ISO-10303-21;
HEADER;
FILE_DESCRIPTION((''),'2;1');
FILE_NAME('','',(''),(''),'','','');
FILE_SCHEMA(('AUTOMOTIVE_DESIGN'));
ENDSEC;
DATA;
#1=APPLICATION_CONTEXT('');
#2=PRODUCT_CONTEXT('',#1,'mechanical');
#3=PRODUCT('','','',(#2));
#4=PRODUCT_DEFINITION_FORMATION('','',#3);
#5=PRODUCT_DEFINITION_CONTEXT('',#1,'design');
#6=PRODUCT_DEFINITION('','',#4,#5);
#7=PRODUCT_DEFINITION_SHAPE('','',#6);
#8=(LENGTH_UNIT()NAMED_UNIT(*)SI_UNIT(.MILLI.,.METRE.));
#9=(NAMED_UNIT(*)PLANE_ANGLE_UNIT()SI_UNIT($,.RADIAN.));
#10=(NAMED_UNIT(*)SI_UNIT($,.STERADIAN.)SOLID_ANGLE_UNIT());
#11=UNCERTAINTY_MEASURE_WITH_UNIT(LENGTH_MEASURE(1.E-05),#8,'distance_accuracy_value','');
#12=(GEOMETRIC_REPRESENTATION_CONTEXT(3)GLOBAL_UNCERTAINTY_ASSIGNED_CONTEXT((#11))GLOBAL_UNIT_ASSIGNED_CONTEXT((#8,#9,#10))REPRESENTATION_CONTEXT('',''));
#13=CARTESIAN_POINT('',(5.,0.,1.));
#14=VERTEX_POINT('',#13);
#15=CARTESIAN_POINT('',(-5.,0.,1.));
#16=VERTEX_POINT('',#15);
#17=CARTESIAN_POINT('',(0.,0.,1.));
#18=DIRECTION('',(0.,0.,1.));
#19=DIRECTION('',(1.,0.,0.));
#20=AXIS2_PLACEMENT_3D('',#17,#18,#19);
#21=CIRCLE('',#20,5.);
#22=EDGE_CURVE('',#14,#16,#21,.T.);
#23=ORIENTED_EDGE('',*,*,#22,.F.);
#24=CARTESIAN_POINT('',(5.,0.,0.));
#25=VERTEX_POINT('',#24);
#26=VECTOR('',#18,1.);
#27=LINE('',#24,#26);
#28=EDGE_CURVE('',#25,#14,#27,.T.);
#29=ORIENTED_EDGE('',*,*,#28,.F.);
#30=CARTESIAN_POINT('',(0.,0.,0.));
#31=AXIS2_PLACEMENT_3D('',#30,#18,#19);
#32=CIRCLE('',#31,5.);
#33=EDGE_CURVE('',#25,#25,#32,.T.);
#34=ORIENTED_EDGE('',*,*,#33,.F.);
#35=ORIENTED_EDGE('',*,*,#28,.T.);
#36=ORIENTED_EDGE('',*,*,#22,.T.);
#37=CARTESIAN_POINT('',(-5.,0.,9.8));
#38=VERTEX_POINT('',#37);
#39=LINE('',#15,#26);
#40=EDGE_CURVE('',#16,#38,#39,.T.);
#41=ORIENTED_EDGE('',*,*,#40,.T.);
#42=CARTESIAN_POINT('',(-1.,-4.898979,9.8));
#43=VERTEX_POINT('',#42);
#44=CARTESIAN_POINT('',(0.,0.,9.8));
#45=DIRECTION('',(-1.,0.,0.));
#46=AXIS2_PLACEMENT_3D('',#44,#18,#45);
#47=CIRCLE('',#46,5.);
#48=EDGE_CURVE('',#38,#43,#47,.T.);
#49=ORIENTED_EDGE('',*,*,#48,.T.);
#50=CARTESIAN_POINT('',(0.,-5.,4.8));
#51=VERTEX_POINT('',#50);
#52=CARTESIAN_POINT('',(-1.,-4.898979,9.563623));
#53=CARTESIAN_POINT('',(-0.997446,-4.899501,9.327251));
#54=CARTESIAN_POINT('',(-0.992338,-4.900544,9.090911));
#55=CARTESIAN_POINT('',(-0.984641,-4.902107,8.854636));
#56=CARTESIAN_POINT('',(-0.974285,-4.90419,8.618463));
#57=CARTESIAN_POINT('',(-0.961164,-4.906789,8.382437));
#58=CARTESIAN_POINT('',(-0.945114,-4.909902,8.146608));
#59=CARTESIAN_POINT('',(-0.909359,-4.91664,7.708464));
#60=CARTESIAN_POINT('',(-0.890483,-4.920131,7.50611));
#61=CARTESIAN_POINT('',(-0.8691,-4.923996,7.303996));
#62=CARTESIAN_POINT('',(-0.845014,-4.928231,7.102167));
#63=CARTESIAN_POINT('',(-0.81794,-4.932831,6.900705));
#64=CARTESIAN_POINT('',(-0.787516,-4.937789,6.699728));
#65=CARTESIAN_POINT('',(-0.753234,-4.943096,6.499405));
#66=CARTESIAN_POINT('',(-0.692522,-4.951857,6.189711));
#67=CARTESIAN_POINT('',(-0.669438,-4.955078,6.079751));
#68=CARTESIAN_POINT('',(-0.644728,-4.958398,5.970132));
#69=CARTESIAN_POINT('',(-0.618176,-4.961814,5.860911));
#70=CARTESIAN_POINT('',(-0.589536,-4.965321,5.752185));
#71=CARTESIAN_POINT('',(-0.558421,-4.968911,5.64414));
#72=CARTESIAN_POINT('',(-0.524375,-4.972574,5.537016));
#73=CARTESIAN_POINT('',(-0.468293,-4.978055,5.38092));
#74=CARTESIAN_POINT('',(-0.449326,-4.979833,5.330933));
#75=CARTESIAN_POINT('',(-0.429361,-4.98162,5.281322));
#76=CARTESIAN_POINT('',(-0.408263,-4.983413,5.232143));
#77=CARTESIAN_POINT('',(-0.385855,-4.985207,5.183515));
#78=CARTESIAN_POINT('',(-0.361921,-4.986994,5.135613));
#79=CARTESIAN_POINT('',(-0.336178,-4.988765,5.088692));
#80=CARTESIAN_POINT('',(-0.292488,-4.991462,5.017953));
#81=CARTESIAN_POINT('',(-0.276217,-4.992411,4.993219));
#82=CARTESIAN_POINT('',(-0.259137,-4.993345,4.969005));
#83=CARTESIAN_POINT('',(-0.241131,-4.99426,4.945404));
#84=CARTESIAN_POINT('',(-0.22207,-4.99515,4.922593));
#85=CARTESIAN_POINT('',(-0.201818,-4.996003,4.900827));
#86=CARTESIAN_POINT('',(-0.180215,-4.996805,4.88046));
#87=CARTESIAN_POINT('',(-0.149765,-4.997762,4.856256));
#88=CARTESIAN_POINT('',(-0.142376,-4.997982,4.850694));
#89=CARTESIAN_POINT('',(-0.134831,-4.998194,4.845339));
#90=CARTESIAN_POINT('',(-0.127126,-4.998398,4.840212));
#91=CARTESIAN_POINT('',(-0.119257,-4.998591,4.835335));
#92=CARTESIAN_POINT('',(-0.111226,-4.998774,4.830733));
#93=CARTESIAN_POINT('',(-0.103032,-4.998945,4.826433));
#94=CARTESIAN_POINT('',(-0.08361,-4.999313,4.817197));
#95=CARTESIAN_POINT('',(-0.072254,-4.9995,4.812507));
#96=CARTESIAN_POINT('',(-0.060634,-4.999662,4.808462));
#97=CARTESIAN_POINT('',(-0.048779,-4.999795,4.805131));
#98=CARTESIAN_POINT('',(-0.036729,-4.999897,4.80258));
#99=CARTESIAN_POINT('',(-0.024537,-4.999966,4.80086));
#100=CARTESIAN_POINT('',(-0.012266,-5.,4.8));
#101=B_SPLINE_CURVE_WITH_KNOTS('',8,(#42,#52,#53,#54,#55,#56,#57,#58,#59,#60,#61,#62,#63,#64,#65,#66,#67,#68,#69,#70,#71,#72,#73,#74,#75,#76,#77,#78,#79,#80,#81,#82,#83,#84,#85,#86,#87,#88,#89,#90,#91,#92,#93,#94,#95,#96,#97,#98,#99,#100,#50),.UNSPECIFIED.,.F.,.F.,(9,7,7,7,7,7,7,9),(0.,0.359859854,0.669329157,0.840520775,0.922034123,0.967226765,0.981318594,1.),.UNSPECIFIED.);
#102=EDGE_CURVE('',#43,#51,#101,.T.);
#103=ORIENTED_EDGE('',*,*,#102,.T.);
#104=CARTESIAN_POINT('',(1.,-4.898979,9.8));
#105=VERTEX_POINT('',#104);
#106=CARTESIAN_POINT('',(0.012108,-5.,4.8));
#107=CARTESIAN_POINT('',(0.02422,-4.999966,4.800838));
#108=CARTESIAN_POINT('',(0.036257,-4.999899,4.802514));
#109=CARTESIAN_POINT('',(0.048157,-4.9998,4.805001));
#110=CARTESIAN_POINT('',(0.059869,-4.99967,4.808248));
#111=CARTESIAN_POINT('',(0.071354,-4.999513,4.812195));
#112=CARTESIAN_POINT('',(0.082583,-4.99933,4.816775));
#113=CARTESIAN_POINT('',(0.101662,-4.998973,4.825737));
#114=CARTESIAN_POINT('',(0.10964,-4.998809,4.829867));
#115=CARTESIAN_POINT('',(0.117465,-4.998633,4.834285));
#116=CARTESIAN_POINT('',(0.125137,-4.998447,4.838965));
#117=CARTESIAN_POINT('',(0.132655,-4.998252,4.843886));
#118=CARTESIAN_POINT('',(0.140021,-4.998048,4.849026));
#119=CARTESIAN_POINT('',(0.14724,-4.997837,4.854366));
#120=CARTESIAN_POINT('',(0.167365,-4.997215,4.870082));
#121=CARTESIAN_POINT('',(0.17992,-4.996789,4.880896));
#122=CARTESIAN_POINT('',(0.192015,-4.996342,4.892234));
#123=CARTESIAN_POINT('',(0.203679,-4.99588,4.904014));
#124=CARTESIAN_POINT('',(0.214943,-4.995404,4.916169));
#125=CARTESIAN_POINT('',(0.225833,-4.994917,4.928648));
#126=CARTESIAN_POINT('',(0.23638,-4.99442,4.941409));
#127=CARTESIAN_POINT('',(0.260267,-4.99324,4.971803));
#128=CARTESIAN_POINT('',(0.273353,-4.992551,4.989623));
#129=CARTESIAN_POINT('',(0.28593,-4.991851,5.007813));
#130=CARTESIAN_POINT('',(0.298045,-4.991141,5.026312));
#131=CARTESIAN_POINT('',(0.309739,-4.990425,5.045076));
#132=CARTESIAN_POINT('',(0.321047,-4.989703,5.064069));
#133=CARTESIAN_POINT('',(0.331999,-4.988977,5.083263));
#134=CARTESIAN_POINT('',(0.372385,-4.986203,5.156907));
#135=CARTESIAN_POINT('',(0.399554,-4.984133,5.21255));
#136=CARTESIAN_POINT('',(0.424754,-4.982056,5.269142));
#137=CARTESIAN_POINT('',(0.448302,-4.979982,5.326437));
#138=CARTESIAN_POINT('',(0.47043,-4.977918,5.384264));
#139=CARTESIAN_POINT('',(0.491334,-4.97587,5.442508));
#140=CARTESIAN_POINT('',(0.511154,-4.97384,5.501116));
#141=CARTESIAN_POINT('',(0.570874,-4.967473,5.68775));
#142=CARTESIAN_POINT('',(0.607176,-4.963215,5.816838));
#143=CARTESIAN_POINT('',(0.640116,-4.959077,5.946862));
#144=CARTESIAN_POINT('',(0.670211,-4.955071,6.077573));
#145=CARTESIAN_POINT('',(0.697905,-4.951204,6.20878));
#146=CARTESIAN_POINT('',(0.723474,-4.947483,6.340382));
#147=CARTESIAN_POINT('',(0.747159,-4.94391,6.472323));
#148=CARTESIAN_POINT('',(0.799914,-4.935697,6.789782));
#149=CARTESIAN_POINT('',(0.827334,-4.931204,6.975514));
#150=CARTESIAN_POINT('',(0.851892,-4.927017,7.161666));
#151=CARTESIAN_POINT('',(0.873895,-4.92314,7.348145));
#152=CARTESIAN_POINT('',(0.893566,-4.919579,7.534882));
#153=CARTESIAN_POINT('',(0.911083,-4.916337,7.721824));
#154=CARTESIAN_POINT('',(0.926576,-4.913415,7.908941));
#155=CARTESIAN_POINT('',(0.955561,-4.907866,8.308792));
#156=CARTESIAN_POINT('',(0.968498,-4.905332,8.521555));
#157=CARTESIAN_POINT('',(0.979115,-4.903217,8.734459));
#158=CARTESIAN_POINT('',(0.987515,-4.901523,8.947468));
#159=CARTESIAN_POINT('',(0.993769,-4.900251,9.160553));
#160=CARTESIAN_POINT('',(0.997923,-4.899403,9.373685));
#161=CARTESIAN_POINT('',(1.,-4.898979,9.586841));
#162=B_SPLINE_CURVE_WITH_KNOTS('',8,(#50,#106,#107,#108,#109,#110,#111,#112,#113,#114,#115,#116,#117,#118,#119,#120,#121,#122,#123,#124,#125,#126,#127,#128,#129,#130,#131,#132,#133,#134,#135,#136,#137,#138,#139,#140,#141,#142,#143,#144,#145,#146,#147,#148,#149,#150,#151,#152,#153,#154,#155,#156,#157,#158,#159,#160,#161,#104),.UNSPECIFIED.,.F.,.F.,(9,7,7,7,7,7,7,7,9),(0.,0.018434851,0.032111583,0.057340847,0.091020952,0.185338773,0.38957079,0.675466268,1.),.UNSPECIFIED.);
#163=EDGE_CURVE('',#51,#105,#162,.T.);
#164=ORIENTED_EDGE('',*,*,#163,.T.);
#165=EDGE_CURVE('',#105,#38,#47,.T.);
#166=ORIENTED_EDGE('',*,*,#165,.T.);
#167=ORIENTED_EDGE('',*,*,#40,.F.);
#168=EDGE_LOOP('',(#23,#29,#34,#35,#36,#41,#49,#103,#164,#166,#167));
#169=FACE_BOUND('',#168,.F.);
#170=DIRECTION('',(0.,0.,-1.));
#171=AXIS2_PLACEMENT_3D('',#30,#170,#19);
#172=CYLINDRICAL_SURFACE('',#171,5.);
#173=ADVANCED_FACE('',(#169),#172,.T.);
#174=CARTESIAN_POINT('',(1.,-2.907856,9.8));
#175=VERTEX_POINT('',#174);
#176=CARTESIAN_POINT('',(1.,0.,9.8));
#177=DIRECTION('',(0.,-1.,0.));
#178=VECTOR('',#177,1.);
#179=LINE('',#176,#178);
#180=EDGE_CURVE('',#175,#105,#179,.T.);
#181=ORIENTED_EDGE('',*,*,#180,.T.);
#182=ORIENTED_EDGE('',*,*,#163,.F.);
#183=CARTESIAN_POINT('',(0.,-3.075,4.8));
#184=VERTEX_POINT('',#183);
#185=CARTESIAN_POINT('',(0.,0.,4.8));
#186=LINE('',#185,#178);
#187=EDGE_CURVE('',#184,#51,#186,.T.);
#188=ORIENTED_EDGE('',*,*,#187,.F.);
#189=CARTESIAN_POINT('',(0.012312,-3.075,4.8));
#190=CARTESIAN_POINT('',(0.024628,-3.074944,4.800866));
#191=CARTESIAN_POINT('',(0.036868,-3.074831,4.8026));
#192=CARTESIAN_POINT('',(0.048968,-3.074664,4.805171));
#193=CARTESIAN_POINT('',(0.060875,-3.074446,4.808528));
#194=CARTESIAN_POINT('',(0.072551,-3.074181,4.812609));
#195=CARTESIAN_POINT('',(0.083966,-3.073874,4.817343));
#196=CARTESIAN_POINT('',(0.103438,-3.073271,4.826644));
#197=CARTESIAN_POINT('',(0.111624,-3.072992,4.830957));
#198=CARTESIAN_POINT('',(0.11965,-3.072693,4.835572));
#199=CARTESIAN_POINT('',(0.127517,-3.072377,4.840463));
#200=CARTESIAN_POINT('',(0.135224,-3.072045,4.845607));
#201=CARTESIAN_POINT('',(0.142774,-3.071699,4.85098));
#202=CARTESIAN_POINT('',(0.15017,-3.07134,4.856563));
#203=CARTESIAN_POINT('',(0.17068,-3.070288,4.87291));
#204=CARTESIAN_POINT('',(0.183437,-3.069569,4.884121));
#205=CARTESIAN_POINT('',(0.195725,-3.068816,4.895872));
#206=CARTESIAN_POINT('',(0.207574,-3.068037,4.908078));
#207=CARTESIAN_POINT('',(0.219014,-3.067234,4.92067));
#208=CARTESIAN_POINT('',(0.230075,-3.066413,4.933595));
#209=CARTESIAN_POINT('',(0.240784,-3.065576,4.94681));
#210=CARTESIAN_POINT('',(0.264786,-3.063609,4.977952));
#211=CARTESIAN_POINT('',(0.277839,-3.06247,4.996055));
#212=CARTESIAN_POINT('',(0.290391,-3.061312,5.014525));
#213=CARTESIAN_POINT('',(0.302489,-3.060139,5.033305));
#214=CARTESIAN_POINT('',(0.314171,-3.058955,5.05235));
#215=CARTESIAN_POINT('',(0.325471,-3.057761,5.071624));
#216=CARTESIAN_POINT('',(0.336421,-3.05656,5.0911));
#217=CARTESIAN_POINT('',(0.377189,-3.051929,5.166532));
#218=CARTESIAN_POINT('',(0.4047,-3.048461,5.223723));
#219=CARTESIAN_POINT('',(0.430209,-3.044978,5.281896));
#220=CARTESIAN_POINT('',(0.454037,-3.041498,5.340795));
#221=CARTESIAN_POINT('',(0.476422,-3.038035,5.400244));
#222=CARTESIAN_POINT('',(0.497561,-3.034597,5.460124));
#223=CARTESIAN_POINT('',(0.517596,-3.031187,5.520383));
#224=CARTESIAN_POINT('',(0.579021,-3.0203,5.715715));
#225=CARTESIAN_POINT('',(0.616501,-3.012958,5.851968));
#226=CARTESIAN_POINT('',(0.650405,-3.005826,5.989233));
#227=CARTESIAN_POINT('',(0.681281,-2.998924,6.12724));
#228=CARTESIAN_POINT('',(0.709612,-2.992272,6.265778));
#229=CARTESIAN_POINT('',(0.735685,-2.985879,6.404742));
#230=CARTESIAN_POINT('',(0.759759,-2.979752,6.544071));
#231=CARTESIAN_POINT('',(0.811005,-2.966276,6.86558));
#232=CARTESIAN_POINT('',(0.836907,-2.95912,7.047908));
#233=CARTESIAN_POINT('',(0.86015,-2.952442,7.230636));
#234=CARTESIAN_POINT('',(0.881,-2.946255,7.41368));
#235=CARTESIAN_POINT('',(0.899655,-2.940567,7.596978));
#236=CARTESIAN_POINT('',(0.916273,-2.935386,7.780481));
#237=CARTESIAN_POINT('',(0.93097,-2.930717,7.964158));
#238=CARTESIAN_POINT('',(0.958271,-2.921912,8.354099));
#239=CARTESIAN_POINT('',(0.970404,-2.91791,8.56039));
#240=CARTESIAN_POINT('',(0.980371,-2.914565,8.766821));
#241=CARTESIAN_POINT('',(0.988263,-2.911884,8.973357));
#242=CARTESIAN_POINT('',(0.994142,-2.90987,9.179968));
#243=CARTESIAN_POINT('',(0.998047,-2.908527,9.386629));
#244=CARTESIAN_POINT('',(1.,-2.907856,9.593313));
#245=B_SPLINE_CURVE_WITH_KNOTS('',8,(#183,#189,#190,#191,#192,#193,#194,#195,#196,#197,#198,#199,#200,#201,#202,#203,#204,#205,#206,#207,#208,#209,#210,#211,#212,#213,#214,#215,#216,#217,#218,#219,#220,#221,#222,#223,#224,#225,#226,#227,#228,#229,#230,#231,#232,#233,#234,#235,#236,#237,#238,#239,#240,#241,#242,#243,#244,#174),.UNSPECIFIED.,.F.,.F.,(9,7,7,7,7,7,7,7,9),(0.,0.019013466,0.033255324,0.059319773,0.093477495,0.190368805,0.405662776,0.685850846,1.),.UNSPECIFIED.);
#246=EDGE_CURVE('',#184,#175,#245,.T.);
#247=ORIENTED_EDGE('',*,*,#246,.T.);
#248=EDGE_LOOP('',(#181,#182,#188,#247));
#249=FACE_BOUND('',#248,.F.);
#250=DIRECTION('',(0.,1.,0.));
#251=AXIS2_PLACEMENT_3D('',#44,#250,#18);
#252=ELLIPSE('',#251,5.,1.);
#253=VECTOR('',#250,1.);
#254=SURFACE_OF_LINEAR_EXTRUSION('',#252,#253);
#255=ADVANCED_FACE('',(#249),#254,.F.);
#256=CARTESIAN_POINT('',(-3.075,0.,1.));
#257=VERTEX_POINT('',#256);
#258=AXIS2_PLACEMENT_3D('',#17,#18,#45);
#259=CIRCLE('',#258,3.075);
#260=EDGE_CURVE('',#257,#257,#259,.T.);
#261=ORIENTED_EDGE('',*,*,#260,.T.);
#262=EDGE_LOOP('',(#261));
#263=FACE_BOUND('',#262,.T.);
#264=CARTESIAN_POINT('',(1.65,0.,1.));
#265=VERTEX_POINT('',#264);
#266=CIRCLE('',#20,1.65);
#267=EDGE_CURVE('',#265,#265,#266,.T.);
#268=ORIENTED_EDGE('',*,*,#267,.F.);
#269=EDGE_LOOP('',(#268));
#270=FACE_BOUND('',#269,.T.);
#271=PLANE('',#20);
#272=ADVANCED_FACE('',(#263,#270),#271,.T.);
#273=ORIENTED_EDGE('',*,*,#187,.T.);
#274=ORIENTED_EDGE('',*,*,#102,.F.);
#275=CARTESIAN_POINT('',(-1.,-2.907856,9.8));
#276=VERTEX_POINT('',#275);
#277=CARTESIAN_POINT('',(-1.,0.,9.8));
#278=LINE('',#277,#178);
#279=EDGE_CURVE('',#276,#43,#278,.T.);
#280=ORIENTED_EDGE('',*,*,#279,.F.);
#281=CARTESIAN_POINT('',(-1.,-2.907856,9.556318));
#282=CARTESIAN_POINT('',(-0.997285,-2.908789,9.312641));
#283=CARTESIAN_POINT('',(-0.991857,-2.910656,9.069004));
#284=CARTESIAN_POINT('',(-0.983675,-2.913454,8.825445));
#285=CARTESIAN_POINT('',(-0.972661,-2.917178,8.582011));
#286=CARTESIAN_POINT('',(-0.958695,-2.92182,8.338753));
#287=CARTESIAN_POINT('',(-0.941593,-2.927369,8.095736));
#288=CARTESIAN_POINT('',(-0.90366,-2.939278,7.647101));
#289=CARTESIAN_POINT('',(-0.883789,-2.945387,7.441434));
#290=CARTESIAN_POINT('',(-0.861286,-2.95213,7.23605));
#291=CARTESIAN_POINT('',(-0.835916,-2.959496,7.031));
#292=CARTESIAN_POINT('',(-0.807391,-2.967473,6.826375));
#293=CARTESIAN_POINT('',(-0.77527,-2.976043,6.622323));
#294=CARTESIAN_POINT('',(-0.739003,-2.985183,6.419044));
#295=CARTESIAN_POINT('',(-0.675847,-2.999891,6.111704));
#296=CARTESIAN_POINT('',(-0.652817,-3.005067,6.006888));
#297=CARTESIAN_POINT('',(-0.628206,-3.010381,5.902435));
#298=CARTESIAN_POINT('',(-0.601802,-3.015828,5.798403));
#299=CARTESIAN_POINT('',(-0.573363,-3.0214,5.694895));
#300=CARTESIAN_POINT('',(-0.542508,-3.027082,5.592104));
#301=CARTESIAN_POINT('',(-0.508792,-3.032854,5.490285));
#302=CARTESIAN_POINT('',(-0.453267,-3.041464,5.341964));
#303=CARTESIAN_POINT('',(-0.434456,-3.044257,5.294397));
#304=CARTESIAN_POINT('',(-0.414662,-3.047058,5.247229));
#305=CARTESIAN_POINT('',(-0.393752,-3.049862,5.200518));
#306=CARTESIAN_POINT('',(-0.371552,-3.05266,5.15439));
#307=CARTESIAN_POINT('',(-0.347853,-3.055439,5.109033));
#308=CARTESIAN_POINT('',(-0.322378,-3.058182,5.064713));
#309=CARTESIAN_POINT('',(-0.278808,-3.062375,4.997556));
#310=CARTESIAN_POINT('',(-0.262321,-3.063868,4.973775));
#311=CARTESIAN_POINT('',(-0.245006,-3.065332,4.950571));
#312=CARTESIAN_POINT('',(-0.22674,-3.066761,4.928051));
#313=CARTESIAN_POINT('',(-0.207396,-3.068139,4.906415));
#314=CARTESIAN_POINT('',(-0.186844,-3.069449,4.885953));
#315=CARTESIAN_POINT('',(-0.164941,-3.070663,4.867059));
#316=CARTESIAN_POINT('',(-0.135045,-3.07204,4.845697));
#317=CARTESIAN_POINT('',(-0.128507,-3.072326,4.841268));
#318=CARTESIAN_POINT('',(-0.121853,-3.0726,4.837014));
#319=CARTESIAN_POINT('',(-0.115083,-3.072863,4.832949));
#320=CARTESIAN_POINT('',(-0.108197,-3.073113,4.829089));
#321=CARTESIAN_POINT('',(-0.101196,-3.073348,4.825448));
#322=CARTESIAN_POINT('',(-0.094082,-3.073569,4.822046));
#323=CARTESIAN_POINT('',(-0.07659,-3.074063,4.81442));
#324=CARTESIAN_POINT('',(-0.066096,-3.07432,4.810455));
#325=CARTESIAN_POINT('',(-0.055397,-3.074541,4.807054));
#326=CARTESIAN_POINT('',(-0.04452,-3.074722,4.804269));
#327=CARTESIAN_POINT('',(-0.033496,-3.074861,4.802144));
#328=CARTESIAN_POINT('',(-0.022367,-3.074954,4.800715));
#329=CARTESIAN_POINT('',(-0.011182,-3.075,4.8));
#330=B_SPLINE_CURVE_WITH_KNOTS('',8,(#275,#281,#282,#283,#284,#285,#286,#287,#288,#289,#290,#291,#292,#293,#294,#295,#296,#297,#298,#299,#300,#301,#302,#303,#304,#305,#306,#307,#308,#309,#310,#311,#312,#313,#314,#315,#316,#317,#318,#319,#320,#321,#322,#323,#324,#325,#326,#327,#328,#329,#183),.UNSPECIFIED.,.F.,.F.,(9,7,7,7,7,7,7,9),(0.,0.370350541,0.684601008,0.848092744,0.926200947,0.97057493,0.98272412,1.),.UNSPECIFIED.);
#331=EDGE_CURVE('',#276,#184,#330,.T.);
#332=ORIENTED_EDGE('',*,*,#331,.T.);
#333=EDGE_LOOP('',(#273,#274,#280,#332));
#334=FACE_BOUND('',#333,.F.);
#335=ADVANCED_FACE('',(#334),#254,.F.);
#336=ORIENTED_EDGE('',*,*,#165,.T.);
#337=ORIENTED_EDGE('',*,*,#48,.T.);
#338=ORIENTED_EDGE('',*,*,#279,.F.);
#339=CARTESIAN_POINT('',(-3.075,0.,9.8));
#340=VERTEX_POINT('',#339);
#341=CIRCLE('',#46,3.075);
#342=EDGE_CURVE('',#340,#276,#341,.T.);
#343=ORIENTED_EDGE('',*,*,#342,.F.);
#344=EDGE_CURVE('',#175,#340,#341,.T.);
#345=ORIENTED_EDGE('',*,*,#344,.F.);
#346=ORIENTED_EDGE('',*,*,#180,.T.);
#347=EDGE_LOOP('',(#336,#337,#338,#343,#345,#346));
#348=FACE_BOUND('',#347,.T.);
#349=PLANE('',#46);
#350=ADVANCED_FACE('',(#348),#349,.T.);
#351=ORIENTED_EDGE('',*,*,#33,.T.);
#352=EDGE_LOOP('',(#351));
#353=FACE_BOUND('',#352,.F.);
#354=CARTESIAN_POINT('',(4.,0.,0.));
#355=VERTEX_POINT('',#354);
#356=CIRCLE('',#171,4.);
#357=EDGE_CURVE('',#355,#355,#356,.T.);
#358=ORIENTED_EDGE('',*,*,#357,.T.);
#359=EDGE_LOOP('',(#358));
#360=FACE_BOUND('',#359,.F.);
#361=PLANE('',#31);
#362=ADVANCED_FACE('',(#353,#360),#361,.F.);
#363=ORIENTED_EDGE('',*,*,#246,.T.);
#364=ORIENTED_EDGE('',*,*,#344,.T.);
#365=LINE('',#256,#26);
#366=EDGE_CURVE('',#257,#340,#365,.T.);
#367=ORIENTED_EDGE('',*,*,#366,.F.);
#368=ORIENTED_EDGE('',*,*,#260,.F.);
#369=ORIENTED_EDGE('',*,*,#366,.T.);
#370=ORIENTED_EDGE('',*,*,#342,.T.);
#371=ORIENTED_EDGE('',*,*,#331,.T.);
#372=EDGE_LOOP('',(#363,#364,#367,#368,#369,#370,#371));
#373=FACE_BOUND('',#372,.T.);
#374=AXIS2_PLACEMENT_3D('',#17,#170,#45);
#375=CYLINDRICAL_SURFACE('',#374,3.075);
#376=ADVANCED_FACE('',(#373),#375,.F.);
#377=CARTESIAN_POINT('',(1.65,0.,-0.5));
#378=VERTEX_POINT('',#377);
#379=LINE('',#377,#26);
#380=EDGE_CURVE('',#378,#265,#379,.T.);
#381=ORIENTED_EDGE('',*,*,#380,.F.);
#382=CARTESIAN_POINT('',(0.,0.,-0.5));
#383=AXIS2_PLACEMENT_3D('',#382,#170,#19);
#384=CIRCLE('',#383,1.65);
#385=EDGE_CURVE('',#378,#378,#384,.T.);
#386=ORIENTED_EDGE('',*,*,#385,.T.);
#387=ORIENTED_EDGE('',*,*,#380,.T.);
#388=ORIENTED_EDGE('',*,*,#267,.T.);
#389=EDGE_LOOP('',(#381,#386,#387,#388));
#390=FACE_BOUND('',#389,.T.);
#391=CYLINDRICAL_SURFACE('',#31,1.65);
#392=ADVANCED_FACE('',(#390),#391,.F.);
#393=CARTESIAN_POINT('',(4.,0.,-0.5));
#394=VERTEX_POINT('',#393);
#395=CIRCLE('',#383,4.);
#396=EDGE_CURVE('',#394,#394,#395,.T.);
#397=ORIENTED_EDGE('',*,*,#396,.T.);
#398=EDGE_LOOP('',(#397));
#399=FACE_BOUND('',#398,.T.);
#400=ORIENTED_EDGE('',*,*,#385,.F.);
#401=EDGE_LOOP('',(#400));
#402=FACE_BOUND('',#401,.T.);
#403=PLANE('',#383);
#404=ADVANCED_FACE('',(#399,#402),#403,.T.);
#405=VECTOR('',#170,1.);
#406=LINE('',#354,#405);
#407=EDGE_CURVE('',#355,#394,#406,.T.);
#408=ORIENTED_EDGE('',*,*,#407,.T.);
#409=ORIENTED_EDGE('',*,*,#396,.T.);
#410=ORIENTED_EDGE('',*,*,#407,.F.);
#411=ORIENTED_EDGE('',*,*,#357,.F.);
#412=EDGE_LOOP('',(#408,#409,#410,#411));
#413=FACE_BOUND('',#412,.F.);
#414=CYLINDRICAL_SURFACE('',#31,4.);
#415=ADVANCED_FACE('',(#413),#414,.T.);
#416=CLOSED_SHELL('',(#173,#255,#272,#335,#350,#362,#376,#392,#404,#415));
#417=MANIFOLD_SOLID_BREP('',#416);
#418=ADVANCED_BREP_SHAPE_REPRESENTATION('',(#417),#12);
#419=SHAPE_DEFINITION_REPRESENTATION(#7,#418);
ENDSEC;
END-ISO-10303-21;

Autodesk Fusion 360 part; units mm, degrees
sketch "Sketch1" plane through (0, 0, 0) normal (0, 0, 1) x (1, 0, 0)
  circle A0 centre (0, 0) radius 5
  circle A1 centre (0, 0) radius 1.65
  dimension "d1" = 10
  dimension "d2" = 3.3
extrude "Extrude1" add sketch "Sketch1" along normal blind 1
sketch "Sketch2" plane through (0, 0, 1) normal (0, 0, 1) x (-1, 0, 0)
  circle A0 centre (0, 0) radius 1.65
  circle A1 centre (0, 0) radius 5
  circle A2 centre (0, 0) radius 3.075
  dimension "d5" = 6.15
extrude "Extrude2" add sketch "Sketch2" along normal blind 8.8 contours A1
sketch "Sketch3" plane through (0, 0, 0) normal (0, 0, -1) x (1, 0, 0)
  circle A0 centre (0, 0) radius 1.65
  circle A1 centre (0, 0) radius 5
  circle A2 centre (0, 0) radius 4
  dimension "d8" = 8
extrude "Extrude3" add sketch "Sketch3" along normal blind 0.5 contours A2
sketch "Sketch4" plane through (0, 0, 0) normal (0, 1, 0) x (1, 0, 0)
  ellipse E0 centre (0, -9.8) end of major axis (-1, -9.8) minor radius 5
  line L0 (1, -9.8) -> (-1, -9.8)
  line L1 (0, -4.8) -> (0, -14.8)
  line L2 (-5, -9.8) -> (5, -9.8)
  line L3 (-5, 0) -> (5, 0)
  dimension "d11" = 2
  dimension "d12" = 10
  dimension "d15" = 9.8
  dimension "d16" = 9.8
extrude "Extrude4" cut sketch "Sketch4" against normal blind 15
equation "d2 = 3 mm + 0.3 mm"
equation "d15 = d16"
